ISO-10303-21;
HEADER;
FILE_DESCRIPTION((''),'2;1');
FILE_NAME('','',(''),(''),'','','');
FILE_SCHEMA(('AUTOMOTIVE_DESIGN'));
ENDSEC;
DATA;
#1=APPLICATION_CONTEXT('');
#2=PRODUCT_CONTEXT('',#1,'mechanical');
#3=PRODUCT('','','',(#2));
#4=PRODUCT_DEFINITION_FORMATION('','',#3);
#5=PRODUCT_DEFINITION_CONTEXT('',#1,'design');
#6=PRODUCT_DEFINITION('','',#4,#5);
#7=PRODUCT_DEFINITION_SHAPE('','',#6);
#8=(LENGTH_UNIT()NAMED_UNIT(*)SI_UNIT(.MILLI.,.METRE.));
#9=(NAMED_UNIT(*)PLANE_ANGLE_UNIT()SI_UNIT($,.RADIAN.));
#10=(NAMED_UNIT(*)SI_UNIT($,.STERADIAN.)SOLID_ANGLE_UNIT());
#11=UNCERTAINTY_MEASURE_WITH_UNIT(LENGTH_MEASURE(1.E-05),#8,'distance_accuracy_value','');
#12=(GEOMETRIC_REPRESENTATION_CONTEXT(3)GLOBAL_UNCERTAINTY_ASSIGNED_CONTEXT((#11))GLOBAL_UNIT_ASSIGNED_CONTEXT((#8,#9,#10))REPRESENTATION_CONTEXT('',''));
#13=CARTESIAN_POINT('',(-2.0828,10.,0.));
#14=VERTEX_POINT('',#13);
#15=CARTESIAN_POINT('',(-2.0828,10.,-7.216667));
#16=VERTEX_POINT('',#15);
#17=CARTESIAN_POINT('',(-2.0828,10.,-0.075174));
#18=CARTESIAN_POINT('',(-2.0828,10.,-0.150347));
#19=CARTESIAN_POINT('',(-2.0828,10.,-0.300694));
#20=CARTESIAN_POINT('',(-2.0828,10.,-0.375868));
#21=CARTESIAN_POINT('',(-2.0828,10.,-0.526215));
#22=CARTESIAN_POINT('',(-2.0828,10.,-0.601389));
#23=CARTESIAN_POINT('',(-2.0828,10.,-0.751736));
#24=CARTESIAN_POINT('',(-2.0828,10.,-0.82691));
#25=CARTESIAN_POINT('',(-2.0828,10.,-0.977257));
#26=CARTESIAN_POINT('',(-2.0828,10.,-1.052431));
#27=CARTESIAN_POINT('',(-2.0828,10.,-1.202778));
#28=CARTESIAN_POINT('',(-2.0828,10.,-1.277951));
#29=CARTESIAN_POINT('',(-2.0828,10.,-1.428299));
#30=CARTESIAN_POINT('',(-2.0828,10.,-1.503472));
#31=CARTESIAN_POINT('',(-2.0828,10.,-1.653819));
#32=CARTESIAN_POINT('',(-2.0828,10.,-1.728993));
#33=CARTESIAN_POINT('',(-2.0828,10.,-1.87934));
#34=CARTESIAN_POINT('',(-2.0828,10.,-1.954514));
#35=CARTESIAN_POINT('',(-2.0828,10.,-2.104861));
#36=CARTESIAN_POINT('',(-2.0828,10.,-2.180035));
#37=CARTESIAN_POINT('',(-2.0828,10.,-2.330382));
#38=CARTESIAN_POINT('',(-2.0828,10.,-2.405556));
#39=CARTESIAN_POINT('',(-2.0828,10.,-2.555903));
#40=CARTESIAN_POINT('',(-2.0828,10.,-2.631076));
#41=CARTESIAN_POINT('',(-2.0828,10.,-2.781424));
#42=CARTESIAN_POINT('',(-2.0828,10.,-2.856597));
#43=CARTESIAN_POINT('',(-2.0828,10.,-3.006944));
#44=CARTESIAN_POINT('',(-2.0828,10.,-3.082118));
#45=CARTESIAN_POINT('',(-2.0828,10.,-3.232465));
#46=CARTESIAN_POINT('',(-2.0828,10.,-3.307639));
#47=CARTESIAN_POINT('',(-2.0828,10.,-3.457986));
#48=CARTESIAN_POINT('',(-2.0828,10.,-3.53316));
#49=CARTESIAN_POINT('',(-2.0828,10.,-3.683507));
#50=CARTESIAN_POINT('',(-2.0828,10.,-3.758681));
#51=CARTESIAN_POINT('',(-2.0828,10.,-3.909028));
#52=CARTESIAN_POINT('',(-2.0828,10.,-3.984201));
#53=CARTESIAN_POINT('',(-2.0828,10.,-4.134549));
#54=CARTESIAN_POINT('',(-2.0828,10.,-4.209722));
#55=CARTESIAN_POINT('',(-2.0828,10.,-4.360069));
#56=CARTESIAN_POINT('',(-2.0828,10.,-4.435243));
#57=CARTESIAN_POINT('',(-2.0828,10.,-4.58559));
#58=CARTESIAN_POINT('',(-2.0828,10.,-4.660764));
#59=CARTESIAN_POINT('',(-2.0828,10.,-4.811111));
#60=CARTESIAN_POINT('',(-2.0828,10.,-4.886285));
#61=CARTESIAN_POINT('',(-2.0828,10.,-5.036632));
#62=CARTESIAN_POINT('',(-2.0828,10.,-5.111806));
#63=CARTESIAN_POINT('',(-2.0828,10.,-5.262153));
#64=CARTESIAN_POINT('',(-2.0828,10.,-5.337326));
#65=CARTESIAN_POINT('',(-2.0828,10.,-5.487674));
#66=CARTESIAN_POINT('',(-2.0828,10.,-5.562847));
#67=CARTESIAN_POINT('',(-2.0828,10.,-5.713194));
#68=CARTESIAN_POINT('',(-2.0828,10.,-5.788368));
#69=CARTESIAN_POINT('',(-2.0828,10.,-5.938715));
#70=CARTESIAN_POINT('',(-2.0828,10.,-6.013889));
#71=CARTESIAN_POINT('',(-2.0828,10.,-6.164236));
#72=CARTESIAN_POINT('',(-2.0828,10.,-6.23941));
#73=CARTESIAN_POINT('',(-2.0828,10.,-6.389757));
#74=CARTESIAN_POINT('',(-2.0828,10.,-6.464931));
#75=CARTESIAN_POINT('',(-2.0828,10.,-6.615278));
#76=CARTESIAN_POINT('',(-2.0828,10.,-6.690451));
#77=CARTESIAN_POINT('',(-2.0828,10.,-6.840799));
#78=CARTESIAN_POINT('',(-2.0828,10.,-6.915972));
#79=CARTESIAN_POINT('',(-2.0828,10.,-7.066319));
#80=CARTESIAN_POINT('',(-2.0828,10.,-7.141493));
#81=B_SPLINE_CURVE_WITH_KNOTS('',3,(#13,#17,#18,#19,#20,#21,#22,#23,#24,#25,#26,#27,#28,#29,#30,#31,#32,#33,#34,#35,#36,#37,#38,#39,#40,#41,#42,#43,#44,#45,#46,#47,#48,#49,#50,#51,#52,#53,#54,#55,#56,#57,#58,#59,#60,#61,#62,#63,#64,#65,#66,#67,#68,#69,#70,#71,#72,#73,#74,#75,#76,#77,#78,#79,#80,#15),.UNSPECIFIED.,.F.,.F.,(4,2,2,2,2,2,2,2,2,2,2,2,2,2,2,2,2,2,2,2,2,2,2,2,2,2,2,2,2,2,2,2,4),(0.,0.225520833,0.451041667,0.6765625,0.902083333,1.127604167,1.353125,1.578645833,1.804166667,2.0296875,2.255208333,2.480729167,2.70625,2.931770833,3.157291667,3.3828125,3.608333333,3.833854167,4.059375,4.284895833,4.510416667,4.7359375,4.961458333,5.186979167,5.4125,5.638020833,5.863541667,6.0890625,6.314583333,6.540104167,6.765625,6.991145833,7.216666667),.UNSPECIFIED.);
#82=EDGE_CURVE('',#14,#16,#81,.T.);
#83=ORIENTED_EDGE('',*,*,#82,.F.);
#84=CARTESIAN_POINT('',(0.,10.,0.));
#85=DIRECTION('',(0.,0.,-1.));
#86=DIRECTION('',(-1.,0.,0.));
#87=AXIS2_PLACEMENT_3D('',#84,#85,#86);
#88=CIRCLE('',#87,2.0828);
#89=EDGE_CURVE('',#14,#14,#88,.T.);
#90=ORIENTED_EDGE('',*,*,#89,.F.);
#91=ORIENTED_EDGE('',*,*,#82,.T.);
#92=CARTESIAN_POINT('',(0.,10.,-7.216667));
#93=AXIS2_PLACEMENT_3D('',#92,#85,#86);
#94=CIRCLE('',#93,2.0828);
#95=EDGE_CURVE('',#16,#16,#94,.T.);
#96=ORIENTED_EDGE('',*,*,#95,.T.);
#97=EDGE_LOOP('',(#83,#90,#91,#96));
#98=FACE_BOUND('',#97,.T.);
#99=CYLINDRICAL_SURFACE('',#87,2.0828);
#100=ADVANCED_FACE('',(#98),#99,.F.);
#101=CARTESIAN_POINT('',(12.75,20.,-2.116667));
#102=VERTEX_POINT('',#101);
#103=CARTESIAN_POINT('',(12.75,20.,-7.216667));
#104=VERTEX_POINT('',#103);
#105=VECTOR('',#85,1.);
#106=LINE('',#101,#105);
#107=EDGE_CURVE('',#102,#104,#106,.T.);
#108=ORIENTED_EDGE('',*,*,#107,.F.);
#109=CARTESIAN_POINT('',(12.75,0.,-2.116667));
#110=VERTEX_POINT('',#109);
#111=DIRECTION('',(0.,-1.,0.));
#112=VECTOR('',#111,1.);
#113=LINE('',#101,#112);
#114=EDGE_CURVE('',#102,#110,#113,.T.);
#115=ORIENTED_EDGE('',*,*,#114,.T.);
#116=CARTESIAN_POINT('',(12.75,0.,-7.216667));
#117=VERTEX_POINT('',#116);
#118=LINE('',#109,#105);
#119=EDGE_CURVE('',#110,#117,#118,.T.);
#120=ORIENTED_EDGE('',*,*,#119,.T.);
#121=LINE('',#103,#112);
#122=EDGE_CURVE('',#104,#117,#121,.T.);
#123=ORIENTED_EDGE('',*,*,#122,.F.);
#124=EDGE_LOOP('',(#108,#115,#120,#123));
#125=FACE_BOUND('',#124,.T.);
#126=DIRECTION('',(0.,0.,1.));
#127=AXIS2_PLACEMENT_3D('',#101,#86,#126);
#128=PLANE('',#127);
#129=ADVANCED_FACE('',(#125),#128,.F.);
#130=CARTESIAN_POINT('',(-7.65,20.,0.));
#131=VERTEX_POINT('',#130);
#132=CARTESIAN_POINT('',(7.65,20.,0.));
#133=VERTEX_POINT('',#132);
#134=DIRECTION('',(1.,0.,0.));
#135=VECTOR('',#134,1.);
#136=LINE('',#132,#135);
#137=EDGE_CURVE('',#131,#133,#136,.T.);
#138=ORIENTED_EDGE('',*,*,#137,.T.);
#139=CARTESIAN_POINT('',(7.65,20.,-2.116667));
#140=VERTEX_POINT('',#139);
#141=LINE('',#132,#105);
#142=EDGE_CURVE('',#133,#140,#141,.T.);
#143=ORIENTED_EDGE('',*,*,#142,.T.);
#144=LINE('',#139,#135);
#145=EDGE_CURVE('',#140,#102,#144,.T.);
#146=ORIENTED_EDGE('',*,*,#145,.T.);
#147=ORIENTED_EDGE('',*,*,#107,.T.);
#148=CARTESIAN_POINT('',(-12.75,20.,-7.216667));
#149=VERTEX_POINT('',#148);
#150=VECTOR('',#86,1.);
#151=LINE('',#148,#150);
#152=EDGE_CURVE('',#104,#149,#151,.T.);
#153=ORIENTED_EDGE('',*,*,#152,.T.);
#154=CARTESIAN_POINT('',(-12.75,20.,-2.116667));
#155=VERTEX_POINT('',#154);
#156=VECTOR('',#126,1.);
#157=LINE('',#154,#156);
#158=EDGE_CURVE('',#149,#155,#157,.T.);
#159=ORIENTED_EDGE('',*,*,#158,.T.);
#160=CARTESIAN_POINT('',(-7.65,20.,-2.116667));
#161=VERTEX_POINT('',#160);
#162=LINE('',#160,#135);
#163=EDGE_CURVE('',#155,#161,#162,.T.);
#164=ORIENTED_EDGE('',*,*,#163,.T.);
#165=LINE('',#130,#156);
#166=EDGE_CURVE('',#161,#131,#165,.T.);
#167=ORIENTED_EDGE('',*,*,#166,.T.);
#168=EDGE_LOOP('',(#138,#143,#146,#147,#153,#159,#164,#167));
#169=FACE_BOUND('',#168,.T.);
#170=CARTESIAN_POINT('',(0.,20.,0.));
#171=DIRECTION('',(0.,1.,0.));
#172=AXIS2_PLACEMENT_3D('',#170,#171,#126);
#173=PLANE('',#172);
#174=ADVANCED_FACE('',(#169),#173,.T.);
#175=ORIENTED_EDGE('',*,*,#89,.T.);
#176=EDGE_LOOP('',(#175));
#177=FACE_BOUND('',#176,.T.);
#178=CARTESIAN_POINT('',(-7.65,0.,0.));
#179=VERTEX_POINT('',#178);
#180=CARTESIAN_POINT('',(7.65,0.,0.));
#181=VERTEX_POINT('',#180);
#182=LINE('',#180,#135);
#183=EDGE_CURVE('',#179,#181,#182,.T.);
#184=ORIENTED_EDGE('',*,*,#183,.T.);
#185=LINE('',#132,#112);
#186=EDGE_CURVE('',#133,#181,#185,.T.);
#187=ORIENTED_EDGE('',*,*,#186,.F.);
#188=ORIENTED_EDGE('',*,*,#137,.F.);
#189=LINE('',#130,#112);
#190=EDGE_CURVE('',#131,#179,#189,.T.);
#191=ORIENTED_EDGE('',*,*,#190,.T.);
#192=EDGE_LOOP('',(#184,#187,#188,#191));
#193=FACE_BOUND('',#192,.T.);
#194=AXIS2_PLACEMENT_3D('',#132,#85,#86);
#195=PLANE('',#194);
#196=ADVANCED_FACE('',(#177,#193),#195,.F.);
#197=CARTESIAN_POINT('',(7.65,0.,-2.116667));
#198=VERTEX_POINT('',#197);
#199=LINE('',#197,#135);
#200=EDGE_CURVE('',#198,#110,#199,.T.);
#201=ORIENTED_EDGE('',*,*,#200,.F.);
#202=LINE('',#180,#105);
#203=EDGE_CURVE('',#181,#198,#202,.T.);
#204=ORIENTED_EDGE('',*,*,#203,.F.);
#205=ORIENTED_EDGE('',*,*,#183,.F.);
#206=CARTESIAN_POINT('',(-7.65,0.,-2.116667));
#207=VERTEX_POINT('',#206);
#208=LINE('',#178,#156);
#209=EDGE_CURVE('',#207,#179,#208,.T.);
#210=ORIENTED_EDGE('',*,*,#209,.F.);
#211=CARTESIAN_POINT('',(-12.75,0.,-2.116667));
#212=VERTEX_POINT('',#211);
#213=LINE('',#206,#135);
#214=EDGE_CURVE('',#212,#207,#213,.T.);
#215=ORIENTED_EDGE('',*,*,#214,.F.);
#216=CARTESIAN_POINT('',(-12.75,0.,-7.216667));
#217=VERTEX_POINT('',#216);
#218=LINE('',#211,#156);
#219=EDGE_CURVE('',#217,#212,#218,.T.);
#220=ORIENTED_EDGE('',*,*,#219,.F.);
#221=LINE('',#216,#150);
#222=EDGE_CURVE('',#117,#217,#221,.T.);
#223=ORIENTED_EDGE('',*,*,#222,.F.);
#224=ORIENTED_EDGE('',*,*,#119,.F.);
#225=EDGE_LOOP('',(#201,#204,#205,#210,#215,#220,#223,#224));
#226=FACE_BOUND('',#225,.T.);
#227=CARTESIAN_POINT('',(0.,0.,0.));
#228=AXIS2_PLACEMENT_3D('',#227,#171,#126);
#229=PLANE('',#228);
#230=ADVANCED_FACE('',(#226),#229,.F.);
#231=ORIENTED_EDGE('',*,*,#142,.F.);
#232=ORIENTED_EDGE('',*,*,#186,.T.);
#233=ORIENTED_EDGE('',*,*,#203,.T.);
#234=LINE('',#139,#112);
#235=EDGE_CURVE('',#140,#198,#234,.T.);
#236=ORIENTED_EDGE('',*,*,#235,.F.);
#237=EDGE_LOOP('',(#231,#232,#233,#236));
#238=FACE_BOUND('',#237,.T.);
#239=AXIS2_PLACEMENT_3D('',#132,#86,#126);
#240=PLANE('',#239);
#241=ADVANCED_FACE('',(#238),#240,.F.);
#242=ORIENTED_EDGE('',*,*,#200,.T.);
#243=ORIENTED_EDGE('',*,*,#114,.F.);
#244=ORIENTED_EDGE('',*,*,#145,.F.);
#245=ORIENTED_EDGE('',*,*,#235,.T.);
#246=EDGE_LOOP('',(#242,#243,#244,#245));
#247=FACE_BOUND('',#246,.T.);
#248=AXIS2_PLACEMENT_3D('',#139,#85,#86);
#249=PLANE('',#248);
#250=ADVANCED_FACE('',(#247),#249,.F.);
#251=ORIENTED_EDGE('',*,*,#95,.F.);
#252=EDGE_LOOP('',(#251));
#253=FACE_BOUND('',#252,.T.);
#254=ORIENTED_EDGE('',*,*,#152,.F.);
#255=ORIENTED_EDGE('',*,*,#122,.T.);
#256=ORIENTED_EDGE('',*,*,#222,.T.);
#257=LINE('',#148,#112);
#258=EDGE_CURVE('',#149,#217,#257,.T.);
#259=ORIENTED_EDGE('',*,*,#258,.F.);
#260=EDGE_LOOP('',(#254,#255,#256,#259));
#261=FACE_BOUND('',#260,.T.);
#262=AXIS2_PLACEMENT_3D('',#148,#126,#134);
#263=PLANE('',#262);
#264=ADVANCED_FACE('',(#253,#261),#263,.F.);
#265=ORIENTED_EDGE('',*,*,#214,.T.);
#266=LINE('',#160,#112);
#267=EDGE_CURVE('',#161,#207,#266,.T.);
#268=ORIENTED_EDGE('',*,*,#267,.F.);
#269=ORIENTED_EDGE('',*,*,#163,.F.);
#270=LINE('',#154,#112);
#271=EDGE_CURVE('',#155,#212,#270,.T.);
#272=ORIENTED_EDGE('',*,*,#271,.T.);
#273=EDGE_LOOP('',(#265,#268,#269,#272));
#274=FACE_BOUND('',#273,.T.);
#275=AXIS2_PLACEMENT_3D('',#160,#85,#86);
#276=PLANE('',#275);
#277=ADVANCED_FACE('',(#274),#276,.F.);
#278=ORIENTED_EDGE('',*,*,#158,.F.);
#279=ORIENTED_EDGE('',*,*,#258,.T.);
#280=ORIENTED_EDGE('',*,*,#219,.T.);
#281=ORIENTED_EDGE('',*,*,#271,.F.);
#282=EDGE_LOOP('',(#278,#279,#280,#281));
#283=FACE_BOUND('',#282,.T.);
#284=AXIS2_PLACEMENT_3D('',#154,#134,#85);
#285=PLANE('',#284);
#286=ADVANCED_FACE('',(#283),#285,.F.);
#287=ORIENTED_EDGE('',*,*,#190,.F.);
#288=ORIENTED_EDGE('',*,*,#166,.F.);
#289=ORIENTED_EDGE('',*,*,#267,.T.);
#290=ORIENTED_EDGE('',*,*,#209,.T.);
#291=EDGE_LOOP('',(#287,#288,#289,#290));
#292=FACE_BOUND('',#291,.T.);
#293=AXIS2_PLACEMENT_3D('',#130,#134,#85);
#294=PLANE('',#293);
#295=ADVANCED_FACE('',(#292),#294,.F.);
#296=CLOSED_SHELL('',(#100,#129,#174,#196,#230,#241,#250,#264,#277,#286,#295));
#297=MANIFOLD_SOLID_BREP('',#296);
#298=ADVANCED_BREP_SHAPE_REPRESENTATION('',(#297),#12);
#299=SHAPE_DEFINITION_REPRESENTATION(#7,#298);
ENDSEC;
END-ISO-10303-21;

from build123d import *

# Parameters (mm, degrees)
BOSS_EXTRUDE1_DEPTH = 20
SKETCH2_R           = 2.0828
CUT_EXTRUDE1_DEPTH  = 25.791990194


with BuildPart() as part:
    # Sketch1 → Boss-Extrude1 (new body)
    with BuildSketch(Plane(origin=(0, 0, 0), x_dir=(1, 0, 0), z_dir=(0, 1, 0))):
        Polygon((7.65, 0), (-7.65, 0), (-7.65, 2.116666667), (-12.75, 2.116666667), (-12.75, 7.216666667), (12.75, 7.216666667), (12.75, 2.116666667), (7.65, 2.116666667), align=None)
    extrude(amount=BOSS_EXTRUDE1_DEPTH)

    # Sketch2 → Cut-Extrude1 (cut, through all)
    with BuildSketch(Plane(origin=(0, 0, -7.216666667), x_dir=(-1, 0, 0), z_dir=(0, 0, -1))):
        with Locations((0, 10)):
            Circle(SKETCH2_R)
    extrude(amount=-CUT_EXTRUDE1_DEPTH, mode=Mode.SUBTRACT)


solid = part.part
